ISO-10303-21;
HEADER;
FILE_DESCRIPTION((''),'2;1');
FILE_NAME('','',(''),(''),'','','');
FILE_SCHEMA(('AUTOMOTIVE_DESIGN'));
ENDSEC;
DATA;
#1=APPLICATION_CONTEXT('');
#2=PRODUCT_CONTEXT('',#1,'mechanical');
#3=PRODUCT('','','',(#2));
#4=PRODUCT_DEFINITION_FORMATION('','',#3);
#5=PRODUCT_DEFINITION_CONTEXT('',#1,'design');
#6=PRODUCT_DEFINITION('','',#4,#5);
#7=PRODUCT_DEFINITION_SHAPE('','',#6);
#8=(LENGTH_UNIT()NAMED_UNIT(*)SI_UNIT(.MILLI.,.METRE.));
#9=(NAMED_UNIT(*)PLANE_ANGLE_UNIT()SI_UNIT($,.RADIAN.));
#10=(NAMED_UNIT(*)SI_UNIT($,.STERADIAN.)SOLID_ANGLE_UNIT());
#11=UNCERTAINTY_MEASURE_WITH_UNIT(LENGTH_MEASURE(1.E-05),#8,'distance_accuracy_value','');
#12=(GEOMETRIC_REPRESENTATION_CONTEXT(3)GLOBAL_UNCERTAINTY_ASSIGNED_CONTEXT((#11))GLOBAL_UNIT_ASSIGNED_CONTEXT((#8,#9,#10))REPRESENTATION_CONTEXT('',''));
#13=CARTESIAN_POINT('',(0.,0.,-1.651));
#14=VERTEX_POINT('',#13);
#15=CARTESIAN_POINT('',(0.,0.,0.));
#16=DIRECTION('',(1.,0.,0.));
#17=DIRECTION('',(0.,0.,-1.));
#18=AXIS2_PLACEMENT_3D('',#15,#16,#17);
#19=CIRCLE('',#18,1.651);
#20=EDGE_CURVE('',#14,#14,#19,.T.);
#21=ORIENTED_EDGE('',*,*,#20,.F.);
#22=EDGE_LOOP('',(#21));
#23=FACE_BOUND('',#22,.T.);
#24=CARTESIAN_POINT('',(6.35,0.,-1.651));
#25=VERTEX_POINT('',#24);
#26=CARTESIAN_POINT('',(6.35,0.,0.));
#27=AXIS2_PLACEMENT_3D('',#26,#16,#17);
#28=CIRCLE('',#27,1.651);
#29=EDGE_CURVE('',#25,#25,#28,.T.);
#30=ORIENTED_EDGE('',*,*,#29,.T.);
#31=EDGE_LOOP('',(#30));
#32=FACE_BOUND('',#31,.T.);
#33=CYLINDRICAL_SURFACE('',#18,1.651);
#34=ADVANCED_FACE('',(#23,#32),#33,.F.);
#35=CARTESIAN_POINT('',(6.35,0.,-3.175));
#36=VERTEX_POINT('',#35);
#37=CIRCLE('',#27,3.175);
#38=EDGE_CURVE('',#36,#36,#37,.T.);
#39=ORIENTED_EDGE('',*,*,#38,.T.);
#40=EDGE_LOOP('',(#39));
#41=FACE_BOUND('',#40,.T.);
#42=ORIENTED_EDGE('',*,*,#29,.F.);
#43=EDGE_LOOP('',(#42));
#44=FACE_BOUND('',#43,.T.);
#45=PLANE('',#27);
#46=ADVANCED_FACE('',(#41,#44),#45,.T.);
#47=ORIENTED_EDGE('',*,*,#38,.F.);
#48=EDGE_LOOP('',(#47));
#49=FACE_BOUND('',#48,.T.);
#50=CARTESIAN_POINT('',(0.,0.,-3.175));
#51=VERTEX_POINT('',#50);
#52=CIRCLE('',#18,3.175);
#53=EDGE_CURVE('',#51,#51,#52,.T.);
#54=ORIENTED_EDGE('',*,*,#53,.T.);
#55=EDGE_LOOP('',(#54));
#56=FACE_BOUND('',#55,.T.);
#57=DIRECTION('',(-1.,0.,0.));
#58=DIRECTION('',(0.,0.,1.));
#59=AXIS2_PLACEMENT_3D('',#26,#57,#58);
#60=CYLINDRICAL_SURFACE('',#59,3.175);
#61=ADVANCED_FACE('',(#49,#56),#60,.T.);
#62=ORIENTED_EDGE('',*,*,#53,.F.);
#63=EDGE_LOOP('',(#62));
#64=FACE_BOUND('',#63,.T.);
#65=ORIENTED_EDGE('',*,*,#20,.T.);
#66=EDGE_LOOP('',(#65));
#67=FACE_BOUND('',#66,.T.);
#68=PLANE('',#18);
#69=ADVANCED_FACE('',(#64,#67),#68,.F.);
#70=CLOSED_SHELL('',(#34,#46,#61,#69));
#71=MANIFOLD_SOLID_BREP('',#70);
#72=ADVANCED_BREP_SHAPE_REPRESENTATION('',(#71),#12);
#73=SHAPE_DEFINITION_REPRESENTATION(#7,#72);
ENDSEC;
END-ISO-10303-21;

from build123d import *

# Parameters (mm, degrees)
SKETCH1_R           = 3.175
BOSS_EXTRUDE1_DEPTH = 6.35
SKETCH2_R           = 1.651
CUT_EXTRUDE1_DEPTH  = 7.35


with BuildPart() as part:
    # Sketch1 → Boss-Extrude1 (new body)
    with BuildSketch(Plane(origin=(0, 0, 0), x_dir=(0, 0, -1), z_dir=(1, 0, 0))):
        Circle(SKETCH1_R)
    extrude(amount=BOSS_EXTRUDE1_DEPTH)

    # Sketch2 → Cut-Extrude1 (cut, through all)
    with BuildSketch(Plane(origin=(6.35, 0, 0), x_dir=(0, 0, -1), z_dir=(1, 0, 0))):
        Circle(SKETCH2_R)
    extrude(amount=-CUT_EXTRUDE1_DEPTH, mode=Mode.SUBTRACT)


solid = part.part
